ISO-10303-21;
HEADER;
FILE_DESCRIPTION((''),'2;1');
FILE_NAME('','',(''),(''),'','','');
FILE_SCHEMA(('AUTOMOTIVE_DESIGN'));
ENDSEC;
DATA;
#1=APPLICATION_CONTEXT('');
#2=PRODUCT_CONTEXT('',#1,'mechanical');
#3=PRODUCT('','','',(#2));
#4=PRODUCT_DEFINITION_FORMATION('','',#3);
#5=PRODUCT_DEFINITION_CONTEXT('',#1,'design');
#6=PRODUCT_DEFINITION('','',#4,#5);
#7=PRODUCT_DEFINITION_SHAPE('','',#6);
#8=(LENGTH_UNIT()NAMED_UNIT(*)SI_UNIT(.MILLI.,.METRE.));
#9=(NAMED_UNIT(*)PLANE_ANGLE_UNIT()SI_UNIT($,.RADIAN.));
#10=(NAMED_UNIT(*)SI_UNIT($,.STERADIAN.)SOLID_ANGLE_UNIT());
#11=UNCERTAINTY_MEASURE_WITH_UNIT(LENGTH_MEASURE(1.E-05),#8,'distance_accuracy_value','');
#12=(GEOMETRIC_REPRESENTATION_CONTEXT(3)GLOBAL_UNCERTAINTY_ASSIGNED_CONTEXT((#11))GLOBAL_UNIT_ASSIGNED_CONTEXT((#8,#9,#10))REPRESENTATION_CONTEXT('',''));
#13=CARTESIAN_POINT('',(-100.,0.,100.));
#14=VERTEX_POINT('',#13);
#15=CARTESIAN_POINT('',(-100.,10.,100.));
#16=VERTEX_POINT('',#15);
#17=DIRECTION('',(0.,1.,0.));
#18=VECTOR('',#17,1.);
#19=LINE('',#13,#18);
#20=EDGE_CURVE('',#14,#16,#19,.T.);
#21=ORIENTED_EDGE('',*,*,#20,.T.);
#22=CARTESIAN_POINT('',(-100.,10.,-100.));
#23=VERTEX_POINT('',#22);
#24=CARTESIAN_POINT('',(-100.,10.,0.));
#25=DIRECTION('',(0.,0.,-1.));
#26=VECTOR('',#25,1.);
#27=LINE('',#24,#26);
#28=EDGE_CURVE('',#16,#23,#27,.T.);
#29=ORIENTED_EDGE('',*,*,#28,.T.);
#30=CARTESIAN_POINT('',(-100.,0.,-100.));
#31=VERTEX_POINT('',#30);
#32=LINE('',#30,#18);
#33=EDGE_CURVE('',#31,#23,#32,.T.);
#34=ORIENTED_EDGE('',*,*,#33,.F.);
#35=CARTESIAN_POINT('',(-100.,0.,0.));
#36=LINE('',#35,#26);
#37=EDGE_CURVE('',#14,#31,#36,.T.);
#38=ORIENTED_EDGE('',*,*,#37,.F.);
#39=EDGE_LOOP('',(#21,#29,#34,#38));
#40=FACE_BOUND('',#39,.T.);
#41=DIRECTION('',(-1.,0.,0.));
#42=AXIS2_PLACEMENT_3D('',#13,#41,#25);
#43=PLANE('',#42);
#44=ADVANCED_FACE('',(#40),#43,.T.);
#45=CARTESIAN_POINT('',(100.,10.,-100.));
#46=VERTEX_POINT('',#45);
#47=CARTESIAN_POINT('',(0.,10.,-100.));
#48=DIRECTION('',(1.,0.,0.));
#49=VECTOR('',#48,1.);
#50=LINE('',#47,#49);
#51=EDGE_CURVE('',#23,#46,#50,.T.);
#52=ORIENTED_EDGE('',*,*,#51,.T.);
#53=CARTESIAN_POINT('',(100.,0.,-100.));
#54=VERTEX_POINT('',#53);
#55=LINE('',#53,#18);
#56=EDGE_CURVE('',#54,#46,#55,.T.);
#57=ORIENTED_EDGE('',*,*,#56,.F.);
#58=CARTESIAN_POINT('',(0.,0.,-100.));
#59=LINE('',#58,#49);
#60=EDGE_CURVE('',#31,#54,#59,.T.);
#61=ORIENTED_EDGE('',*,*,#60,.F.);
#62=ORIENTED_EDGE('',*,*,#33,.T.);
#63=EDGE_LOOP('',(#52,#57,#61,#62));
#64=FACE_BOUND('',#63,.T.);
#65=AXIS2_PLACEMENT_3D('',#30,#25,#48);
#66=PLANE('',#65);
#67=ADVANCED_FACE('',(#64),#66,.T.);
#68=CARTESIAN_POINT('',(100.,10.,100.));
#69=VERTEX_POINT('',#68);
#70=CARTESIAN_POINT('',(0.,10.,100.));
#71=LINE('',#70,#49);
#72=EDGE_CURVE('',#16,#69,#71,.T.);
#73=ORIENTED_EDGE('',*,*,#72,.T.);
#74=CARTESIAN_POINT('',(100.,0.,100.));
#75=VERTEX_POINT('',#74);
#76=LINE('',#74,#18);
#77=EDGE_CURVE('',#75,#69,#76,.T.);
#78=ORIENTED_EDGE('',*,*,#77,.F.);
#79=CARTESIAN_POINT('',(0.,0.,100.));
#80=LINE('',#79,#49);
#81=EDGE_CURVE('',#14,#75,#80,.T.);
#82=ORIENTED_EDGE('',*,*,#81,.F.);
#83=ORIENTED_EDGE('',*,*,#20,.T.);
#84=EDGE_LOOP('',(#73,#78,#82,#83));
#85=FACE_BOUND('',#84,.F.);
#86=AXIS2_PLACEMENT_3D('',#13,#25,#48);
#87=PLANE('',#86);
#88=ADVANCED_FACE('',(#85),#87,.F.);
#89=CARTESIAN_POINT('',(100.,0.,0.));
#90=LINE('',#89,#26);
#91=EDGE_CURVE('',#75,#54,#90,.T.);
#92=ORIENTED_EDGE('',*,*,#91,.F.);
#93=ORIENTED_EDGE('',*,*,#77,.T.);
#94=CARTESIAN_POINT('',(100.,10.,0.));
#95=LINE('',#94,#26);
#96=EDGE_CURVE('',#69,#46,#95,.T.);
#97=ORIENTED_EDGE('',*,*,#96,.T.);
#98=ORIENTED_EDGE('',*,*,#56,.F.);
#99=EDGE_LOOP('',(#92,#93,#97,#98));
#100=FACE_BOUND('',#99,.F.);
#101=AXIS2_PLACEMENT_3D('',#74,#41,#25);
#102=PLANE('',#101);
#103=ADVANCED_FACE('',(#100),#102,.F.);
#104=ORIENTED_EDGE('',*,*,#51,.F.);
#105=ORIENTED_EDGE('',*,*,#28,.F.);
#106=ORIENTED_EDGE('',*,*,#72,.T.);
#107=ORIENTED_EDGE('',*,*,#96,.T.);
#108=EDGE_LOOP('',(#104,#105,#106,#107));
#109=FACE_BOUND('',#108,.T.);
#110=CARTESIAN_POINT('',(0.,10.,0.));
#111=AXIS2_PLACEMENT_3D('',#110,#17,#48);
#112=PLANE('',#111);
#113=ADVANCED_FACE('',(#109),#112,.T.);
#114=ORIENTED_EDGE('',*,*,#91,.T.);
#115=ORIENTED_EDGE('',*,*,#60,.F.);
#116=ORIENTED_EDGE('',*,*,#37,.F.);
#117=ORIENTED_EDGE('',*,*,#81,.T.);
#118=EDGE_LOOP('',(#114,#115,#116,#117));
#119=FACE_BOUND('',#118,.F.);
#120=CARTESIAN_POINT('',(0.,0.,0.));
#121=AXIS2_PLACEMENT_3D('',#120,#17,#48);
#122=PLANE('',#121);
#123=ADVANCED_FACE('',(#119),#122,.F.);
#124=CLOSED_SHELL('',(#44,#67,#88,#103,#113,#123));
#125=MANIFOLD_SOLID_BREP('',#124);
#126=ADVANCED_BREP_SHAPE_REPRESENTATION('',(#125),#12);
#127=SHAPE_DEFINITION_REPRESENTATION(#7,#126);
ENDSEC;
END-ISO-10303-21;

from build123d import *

# Parameters (mm, degrees)
SKETCH_1_W      = 200
SKETCH_1_H      = 200
EXTRUDE_1_DEPTH = 10


with BuildPart() as part:
    # Эскиз1 → Бобышка-Вытянуть1 (new body)
    with BuildSketch(Plane(origin=(0, 0, 0), x_dir=(1, 0, 0), z_dir=(0, 1, 0))):
        Rectangle(SKETCH_1_W, SKETCH_1_H)
    extrude(amount=EXTRUDE_1_DEPTH)


solid = part.part
